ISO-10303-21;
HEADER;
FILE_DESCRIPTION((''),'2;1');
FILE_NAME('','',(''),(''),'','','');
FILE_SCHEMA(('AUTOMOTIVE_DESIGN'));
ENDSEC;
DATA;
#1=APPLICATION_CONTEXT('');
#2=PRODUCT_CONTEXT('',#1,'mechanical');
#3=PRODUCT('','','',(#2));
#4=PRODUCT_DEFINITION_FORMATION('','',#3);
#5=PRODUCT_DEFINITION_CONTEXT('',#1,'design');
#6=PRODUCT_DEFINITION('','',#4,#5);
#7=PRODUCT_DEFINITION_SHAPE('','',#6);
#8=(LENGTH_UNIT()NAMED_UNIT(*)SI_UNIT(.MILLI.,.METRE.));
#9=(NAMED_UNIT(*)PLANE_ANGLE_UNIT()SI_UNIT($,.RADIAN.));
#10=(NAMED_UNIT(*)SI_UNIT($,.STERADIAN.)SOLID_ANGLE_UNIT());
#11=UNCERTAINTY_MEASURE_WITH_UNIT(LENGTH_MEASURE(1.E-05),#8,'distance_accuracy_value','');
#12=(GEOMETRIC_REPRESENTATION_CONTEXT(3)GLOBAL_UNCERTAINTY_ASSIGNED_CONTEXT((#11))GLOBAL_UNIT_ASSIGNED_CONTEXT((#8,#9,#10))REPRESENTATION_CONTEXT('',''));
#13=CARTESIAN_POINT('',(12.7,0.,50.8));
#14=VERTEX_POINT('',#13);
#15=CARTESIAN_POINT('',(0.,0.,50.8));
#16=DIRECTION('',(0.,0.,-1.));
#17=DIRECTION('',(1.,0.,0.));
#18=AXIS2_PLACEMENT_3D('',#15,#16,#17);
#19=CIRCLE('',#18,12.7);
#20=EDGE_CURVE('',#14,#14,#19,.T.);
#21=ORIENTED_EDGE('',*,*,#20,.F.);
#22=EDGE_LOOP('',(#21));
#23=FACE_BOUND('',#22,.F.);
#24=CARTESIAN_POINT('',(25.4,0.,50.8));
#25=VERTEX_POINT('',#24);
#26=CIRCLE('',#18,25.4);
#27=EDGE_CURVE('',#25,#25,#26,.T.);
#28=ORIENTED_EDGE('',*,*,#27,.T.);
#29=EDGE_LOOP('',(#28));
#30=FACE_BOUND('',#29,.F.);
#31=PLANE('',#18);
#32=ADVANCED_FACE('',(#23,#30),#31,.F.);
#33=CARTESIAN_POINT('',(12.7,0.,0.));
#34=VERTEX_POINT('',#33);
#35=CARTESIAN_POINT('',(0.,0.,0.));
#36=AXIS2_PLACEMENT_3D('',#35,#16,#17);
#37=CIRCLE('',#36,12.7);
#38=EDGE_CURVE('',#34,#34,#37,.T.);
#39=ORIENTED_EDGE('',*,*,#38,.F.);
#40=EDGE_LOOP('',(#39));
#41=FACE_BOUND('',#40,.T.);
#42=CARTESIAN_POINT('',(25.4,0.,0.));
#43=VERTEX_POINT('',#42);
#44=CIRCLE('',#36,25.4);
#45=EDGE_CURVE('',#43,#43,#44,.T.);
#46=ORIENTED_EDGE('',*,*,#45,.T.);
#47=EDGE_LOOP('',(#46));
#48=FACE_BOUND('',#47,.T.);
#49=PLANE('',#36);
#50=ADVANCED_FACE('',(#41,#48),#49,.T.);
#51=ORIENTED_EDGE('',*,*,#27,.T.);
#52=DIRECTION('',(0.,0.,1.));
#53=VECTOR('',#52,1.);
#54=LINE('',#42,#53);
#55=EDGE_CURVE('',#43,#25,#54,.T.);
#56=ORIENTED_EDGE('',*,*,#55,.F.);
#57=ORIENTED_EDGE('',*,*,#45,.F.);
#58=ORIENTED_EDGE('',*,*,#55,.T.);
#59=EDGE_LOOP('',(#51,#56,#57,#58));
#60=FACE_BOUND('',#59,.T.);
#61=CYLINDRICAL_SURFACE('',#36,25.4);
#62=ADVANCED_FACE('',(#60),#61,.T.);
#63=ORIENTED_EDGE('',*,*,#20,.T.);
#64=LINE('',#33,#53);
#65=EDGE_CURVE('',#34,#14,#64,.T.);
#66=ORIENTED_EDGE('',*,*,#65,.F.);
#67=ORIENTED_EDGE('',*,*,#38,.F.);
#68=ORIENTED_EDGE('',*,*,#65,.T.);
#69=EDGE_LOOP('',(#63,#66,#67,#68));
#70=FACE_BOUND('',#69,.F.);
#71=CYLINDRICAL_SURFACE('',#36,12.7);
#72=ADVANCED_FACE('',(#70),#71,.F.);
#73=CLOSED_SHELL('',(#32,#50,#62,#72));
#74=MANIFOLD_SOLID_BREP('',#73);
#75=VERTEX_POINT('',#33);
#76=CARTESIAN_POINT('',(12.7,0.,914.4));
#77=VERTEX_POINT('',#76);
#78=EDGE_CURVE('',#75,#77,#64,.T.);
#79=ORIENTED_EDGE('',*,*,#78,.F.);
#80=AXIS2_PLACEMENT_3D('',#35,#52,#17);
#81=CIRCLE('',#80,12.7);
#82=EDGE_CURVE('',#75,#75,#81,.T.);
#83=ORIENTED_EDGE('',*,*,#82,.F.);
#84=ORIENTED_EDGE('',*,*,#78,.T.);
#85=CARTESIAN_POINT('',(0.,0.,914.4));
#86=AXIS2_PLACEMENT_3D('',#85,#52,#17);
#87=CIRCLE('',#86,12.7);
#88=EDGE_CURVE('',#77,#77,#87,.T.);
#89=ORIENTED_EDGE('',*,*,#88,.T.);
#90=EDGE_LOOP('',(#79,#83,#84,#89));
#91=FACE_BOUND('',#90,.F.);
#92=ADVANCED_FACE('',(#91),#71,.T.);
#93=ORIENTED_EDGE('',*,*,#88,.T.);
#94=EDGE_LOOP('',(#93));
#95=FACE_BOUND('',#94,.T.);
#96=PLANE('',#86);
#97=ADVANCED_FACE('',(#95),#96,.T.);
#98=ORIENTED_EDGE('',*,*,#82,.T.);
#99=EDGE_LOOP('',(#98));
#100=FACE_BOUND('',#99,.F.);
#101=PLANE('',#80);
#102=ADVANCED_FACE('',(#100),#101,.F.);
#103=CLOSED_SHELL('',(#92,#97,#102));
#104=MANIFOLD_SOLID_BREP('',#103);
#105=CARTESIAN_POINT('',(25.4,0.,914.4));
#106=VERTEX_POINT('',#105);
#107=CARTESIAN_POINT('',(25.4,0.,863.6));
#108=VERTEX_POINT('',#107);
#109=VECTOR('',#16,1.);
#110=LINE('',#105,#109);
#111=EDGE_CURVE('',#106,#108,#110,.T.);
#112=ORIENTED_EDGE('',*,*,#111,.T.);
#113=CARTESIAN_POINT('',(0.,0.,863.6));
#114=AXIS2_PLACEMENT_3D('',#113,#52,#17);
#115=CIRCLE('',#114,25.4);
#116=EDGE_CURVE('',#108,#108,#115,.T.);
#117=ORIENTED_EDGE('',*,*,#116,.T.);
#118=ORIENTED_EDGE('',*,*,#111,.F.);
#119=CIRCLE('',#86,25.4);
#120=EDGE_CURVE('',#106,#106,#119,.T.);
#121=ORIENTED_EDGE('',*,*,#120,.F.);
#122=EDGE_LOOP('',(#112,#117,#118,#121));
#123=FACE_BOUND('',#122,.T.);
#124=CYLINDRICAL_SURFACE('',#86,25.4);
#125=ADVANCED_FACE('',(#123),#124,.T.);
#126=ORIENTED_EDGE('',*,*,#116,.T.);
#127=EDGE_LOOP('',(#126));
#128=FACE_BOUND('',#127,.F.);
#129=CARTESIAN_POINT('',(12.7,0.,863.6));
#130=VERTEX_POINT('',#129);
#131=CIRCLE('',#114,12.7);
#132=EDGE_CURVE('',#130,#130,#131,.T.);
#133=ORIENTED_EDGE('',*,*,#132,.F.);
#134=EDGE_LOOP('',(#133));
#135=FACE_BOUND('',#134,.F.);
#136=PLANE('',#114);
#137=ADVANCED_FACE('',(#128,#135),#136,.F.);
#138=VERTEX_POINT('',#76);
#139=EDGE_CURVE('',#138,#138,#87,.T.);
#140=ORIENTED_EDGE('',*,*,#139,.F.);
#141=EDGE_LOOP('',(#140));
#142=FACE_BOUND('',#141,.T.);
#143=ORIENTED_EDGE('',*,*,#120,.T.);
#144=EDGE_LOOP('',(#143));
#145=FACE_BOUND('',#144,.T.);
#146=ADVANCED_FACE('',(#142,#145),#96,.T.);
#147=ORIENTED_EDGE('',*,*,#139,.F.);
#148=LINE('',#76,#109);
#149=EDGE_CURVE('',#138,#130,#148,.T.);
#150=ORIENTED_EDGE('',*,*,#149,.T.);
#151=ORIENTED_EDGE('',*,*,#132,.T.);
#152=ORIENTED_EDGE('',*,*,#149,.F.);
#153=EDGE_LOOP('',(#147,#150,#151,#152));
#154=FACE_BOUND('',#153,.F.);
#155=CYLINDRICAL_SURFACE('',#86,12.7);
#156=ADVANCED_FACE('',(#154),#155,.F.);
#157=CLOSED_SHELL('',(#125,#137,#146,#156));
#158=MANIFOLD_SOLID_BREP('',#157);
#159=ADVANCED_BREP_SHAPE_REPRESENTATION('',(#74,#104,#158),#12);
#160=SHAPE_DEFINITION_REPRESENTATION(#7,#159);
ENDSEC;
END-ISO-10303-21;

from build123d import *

# Parameters (mm, degrees)
F0_R     = 12.7
F1_DEPTH = 914.4
F2_R     = 25.4
F2_R_2   = 12.7
F3_DEPTH = 50.8
F4_R     = 25.4
F4_R_2   = 12.7
F5_DEPTH = 50.8


with BuildPart() as f1:
    # F0 (on Top) → F1 (new body)
    with BuildSketch(Plane.XY):
        Circle(F0_R)
    extrude(amount=F1_DEPTH)


with BuildPart() as f3:
    # F2 (on face) → F3 (new body)
    with BuildSketch(Plane(origin=(0, 0, 0), x_dir=(1, 0, 0), z_dir=(0, 0, -1))):
        Circle(F2_R)
        Circle(F2_R_2, mode=Mode.SUBTRACT)
    extrude(amount=-F3_DEPTH)


with BuildPart() as f5:
    # F4 (on face) → F5 (new body)
    with BuildSketch(Plane.XY.offset(914.4)):
        Circle(F4_R)
        Circle(F4_R_2, mode=Mode.SUBTRACT)
    extrude(amount=-F5_DEPTH)


solid = Compound([f1.part, f3.part, f5.part])
